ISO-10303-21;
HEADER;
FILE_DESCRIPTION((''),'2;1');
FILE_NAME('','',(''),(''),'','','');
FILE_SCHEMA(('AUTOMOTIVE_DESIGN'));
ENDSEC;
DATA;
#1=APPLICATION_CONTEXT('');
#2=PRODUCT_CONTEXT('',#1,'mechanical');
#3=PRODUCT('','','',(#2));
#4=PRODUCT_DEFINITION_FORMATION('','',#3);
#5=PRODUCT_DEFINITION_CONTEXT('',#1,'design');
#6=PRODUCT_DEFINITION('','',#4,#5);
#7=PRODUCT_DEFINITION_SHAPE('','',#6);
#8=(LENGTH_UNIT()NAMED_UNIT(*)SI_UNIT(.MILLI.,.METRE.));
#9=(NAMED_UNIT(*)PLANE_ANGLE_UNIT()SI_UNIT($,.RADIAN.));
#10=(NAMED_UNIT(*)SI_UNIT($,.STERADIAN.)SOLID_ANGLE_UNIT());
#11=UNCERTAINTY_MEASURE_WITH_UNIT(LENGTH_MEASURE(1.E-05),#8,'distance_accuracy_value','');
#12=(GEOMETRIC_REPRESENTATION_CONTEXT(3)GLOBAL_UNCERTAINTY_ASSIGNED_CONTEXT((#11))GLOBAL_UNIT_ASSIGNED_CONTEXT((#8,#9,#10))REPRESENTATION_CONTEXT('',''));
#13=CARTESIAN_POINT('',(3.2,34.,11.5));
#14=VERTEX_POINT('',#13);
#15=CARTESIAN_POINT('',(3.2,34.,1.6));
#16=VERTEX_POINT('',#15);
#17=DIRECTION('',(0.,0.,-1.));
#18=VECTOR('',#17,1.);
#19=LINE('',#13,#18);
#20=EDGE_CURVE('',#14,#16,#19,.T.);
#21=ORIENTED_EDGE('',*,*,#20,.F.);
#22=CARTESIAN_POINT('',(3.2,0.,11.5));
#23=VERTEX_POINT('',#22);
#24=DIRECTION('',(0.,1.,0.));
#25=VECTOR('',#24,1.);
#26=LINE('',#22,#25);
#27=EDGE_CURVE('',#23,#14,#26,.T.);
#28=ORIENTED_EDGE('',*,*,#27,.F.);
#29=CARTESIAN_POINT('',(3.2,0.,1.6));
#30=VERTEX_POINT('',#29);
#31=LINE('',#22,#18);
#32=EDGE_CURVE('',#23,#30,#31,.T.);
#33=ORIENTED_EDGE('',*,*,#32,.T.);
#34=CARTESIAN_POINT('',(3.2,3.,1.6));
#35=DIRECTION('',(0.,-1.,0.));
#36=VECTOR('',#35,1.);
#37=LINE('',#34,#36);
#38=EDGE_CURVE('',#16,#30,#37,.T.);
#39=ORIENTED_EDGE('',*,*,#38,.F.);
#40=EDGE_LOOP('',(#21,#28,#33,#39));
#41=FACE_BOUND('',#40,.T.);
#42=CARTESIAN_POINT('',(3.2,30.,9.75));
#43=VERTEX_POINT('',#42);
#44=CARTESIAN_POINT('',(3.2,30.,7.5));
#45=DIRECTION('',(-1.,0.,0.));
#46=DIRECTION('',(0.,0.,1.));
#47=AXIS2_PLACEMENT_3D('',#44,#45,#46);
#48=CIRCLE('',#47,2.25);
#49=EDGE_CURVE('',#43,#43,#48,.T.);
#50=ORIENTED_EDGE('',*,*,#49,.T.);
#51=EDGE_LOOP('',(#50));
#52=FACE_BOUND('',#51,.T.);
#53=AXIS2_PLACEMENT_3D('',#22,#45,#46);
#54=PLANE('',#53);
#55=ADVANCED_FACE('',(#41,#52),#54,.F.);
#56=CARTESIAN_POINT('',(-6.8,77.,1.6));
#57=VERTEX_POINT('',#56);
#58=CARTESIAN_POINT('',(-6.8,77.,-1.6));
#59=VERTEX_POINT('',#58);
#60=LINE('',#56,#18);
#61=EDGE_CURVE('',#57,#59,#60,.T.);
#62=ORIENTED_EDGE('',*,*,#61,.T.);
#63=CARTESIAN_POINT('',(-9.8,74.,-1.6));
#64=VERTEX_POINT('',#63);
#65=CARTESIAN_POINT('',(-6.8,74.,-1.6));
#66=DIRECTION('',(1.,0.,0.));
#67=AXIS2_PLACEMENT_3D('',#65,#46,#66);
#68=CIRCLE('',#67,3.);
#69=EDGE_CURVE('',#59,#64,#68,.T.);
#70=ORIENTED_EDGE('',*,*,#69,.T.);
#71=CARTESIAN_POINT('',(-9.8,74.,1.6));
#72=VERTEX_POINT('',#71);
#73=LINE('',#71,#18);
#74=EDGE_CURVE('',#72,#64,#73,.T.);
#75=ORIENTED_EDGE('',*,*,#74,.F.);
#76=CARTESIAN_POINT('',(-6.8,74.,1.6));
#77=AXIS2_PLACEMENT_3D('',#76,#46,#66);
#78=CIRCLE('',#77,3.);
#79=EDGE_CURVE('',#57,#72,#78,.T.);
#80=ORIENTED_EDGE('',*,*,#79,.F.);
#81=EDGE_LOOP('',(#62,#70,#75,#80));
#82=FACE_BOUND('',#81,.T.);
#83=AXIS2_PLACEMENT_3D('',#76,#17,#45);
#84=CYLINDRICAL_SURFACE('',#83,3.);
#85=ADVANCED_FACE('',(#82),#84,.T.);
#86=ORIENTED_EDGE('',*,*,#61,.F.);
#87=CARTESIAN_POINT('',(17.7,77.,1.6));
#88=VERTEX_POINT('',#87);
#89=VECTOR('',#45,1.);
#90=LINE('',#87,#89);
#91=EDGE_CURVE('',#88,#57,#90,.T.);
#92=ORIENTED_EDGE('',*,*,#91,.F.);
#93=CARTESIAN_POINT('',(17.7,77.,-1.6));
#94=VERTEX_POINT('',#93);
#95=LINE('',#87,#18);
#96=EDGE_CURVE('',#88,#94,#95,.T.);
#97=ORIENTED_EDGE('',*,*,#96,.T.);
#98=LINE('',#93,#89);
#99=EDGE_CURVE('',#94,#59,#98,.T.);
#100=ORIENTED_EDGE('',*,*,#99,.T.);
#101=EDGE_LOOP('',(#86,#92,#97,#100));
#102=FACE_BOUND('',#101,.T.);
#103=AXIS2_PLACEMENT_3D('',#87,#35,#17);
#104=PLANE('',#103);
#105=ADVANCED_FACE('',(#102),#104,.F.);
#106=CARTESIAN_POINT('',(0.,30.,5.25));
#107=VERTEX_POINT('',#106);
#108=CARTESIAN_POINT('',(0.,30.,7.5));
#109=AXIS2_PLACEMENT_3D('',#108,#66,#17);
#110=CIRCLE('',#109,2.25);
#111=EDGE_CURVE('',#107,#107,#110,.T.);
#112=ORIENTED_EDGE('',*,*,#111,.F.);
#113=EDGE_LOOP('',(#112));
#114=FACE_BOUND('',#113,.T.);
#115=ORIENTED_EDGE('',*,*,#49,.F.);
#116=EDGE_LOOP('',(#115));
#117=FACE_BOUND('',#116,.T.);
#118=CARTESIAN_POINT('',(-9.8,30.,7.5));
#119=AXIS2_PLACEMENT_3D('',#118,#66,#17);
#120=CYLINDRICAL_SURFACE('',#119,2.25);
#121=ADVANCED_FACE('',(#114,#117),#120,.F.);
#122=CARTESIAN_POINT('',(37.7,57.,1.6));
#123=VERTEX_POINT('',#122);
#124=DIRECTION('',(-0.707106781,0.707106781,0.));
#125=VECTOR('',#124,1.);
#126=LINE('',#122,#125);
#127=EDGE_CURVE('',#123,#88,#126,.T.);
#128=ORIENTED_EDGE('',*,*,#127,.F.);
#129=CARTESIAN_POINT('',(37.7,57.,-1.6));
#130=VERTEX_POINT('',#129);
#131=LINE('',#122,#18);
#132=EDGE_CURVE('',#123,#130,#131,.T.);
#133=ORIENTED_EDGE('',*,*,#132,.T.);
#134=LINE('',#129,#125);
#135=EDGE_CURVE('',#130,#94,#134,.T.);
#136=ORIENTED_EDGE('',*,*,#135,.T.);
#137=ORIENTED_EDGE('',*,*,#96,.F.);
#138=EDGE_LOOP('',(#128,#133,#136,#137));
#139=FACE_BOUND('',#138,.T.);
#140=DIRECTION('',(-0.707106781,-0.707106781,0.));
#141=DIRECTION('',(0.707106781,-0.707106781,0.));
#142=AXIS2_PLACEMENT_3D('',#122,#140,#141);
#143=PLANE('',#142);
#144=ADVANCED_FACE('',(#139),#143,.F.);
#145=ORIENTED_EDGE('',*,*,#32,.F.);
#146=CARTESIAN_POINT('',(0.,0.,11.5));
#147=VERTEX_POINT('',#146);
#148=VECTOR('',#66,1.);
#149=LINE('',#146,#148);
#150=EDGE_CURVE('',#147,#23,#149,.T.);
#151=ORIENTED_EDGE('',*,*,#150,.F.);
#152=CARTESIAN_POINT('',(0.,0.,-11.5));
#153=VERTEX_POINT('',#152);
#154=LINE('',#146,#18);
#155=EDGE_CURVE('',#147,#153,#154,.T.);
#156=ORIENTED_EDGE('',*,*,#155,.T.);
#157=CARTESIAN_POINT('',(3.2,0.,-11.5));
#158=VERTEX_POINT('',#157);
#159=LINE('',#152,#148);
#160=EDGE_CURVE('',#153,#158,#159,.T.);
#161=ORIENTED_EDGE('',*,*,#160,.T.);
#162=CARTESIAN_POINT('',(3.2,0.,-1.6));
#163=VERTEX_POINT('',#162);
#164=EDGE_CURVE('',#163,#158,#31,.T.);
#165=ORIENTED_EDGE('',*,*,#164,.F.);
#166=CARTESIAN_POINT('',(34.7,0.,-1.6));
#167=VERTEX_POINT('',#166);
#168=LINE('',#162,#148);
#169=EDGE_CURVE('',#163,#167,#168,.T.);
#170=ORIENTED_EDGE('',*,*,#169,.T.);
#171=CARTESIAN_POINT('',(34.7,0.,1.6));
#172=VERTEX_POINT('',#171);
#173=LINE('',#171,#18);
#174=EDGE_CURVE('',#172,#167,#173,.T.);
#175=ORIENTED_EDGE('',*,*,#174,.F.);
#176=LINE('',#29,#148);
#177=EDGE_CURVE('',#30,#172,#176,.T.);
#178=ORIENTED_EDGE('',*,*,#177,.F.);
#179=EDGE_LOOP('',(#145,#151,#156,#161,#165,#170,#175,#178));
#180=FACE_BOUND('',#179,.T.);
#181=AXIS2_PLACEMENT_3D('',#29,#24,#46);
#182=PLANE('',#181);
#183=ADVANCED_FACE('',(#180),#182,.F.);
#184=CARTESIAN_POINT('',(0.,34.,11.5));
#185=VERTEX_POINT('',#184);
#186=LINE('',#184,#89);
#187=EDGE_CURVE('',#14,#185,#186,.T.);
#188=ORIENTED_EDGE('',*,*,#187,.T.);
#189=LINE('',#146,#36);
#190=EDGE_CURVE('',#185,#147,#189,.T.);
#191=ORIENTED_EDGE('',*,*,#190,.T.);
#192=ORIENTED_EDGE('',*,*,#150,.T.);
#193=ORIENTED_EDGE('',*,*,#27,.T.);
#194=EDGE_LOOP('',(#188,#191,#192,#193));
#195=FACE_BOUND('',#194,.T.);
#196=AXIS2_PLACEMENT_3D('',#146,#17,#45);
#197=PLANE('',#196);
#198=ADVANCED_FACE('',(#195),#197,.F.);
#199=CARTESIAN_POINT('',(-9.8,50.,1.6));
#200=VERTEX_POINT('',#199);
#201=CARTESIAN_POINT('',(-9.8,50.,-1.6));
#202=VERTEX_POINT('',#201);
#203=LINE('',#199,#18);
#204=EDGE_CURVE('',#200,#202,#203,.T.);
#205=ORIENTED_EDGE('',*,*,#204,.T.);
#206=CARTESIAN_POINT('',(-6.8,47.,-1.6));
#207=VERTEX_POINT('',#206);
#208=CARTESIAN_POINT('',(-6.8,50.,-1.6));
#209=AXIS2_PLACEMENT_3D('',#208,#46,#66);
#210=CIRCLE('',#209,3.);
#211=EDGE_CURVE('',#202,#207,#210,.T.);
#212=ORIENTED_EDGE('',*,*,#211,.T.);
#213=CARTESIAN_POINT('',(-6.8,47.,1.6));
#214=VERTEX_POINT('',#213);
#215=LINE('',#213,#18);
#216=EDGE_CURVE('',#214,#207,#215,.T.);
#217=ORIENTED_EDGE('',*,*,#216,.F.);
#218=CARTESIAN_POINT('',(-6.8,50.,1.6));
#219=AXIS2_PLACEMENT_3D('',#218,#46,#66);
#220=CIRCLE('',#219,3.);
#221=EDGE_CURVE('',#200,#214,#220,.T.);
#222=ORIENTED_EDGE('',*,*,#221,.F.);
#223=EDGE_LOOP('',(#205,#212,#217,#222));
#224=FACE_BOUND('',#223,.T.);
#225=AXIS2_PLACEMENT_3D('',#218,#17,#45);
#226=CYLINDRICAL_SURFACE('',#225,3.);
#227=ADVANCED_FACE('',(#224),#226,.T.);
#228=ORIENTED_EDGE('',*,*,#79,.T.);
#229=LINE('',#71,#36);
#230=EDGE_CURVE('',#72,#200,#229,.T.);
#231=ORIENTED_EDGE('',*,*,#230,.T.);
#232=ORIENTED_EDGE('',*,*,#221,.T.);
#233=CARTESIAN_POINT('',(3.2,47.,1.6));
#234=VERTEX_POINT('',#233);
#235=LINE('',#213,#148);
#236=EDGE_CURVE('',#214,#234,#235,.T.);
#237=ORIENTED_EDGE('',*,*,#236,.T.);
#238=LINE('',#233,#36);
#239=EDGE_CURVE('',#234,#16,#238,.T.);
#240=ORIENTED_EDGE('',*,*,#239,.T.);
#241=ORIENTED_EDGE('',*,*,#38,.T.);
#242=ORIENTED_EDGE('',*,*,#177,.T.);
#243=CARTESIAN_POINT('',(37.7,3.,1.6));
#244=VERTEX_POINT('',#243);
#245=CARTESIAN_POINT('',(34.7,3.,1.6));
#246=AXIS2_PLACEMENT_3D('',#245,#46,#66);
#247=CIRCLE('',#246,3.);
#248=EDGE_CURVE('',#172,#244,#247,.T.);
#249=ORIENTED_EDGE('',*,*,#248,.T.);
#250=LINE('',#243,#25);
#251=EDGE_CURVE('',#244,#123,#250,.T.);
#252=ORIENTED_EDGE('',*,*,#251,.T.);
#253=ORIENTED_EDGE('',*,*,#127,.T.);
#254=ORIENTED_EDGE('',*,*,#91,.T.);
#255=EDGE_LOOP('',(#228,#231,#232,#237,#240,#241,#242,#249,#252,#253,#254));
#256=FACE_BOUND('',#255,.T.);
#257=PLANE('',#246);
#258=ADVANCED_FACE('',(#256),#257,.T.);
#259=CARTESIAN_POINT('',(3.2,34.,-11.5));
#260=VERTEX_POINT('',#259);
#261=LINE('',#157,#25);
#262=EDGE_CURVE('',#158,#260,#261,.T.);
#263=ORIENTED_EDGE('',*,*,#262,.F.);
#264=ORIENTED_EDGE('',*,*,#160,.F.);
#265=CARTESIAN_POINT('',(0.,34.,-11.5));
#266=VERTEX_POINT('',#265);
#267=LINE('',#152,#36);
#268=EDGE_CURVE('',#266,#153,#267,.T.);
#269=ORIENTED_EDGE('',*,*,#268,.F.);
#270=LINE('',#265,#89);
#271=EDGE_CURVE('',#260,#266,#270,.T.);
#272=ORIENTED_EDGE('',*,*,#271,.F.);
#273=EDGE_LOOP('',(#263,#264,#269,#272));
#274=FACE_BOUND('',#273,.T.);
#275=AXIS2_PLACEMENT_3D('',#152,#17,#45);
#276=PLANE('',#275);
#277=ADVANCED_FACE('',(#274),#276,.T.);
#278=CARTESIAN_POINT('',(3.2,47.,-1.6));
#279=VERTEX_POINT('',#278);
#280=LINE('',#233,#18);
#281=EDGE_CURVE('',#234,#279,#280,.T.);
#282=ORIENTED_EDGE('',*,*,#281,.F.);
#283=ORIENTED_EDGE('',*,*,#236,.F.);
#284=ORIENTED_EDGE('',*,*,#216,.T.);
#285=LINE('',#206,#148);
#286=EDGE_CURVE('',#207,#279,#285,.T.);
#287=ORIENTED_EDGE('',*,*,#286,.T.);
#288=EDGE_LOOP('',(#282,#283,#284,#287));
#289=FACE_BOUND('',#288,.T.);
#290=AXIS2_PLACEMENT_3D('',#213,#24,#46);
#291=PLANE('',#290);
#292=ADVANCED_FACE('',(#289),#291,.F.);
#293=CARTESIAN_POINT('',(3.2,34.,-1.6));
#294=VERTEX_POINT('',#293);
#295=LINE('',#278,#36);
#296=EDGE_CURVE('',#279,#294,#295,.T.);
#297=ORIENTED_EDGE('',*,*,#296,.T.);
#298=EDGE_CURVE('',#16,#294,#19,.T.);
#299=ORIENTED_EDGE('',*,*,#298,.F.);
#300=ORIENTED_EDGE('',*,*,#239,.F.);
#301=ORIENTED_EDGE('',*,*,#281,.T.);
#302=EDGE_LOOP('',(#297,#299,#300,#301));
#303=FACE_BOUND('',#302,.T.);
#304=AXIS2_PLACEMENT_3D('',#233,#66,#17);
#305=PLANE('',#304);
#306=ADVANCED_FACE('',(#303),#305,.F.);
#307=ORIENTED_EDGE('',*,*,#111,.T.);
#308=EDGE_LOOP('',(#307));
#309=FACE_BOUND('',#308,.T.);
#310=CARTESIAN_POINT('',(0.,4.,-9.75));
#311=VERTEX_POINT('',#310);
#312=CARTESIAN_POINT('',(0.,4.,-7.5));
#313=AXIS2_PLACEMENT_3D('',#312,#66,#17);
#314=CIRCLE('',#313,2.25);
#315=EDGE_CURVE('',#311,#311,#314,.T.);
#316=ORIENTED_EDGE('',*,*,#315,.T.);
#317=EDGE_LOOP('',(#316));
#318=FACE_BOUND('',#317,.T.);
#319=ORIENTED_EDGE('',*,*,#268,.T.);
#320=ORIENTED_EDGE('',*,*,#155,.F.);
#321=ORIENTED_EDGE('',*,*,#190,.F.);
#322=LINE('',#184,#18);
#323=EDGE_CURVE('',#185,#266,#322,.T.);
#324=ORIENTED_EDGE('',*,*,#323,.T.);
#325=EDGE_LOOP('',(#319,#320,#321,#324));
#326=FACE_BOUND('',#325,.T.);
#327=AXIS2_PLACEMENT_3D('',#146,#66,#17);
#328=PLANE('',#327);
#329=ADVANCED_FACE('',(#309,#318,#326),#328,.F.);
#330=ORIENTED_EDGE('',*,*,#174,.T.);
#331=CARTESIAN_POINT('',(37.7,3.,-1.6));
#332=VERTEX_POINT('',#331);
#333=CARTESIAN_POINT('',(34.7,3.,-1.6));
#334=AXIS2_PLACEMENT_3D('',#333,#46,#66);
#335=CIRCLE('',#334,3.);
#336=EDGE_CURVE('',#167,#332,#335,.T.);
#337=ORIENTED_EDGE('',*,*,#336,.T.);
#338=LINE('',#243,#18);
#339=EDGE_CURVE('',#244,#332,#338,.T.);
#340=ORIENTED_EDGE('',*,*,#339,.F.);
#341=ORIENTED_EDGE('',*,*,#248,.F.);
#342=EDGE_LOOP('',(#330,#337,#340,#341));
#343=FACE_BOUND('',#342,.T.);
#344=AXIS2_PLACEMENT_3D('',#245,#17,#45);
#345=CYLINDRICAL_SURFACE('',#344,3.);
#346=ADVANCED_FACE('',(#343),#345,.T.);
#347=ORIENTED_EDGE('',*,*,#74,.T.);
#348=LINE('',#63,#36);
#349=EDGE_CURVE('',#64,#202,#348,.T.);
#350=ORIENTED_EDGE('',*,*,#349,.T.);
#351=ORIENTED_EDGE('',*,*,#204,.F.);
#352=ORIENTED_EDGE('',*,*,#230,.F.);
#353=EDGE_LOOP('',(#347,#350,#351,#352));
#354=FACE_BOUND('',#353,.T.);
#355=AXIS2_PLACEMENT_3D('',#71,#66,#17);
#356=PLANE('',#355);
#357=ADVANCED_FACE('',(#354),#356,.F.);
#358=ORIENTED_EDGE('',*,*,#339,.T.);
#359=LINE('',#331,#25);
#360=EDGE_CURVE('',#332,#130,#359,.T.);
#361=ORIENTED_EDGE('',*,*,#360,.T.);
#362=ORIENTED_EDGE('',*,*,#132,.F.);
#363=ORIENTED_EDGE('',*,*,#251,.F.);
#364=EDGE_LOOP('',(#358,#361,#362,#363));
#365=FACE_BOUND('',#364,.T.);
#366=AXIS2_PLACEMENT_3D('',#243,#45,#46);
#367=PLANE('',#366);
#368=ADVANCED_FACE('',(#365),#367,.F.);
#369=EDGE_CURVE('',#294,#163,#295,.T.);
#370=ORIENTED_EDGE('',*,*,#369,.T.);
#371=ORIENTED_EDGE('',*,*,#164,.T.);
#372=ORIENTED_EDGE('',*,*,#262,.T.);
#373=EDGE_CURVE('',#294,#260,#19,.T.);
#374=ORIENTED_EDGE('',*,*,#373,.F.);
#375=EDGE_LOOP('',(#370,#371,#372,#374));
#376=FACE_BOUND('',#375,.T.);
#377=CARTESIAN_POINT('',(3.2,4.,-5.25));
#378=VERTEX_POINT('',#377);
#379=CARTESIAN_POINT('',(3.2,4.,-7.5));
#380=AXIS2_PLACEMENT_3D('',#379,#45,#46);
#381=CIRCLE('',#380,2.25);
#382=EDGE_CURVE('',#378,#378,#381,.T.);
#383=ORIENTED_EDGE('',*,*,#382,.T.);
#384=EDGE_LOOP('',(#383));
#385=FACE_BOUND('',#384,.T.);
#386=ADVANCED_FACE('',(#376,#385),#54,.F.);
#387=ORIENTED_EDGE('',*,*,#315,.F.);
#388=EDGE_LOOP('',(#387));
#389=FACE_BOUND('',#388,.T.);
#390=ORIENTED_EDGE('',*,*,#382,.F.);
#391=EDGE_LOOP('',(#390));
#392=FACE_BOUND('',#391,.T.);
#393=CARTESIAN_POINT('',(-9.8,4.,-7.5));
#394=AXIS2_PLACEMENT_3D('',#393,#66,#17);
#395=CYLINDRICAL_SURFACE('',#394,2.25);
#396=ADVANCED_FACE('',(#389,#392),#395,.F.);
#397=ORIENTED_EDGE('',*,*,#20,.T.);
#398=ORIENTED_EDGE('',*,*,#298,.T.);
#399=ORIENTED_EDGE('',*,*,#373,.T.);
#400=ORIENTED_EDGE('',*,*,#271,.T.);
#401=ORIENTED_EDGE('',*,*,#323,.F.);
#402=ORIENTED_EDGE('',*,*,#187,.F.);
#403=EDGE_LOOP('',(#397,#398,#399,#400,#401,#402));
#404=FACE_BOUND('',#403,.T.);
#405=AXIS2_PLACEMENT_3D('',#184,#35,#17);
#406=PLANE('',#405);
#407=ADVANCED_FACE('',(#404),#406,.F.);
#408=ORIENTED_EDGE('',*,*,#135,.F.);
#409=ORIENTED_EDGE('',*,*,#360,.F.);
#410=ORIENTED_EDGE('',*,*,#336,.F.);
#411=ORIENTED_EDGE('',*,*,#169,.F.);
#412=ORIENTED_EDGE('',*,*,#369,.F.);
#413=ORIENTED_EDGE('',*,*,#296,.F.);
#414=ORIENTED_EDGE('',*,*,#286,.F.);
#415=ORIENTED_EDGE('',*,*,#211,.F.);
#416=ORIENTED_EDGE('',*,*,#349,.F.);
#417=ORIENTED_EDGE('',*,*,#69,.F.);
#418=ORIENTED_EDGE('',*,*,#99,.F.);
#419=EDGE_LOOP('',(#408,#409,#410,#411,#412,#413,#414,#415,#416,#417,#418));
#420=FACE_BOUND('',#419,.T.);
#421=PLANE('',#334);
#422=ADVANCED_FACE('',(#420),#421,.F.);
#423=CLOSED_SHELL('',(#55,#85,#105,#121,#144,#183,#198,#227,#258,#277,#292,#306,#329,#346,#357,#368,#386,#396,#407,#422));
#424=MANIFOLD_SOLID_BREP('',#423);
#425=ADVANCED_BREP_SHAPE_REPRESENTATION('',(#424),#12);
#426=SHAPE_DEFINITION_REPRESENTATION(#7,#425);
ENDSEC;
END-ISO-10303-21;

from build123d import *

# Parameters (mm, degrees)
EXTRUDE_1_DEPTH          = 1.6
EXTRUDE_1_DEPTH_BACK     = 1.6
EXTRUDE_2_DEPTH          = 11.5
EXTRUDE_2_DEPTH_BACK     = 11.5
SKETCH_2_W               = 3.2
SKETCH_2_H               = 34
CUT_EXTRUDE_1_DEPTH      = 87.501676284
CUT_EXTRUDE_1_DEPTH_BACK = 87.501676284
SKETCH_3_R               = 2.25


with BuildPart() as part:
    # ｽｹｯﾁ1 → ﾎﾞｽ - 押し出し1 (new, two sides: drawn at the far end of the back side and taken through both)
    with BuildSketch(Plane.XY.offset(-EXTRUDE_1_DEPTH_BACK)):
        with BuildLine():
            Line((3.2, 0), (34.7, 0))
            ThreePointArc((34.7, 0), (36.821320344, 0.878679656), (37.7, 3))
            Line((37.7, 3), (37.7, 57))
            Line((37.7, 57), (17.7, 77))
            Line((17.7, 77), (-6.8, 77))
            ThreePointArc((-6.8, 77), (-8.921320344, 76.121320344), (-9.8, 74))
            Line((-9.8, 74), (-9.8, 50))
            ThreePointArc((-9.8, 50), (-8.921320344, 47.878679656), (-6.8, 47))
            Line((-6.8, 47), (3.2, 47))
            Line((3.2, 47), (3.2, 0))
        make_face()
    extrude(amount=EXTRUDE_1_DEPTH + EXTRUDE_1_DEPTH_BACK)

    # ｽｹｯﾁ2 → ﾎﾞｽ - 押し出し2 (add, two sides: drawn at the far end of the back side and taken through both)
    with BuildSketch(Plane.XY.offset(-EXTRUDE_2_DEPTH_BACK)):
        with Locations((1.6, 17)):
            Rectangle(SKETCH_2_W, SKETCH_2_H)
    extrude(amount=EXTRUDE_2_DEPTH + EXTRUDE_2_DEPTH_BACK)

    # ｽｹｯﾁ3 → ｶｯﾄ - 押し出し1 (cut, two sides: drawn at the far end of the back side and taken through both)
    with BuildSketch(Plane(origin=(0, 0, 0), x_dir=(0, 0, -1), z_dir=(1, 0, 0)).offset(-CUT_EXTRUDE_1_DEPTH_BACK)):
        with Locations((-7.5, 30)):
            Circle(SKETCH_3_R)
        with Locations((7.5, 4)):
            Circle(SKETCH_3_R)
    extrude(amount=CUT_EXTRUDE_1_DEPTH + CUT_EXTRUDE_1_DEPTH_BACK, mode=Mode.SUBTRACT)


solid = part.part
